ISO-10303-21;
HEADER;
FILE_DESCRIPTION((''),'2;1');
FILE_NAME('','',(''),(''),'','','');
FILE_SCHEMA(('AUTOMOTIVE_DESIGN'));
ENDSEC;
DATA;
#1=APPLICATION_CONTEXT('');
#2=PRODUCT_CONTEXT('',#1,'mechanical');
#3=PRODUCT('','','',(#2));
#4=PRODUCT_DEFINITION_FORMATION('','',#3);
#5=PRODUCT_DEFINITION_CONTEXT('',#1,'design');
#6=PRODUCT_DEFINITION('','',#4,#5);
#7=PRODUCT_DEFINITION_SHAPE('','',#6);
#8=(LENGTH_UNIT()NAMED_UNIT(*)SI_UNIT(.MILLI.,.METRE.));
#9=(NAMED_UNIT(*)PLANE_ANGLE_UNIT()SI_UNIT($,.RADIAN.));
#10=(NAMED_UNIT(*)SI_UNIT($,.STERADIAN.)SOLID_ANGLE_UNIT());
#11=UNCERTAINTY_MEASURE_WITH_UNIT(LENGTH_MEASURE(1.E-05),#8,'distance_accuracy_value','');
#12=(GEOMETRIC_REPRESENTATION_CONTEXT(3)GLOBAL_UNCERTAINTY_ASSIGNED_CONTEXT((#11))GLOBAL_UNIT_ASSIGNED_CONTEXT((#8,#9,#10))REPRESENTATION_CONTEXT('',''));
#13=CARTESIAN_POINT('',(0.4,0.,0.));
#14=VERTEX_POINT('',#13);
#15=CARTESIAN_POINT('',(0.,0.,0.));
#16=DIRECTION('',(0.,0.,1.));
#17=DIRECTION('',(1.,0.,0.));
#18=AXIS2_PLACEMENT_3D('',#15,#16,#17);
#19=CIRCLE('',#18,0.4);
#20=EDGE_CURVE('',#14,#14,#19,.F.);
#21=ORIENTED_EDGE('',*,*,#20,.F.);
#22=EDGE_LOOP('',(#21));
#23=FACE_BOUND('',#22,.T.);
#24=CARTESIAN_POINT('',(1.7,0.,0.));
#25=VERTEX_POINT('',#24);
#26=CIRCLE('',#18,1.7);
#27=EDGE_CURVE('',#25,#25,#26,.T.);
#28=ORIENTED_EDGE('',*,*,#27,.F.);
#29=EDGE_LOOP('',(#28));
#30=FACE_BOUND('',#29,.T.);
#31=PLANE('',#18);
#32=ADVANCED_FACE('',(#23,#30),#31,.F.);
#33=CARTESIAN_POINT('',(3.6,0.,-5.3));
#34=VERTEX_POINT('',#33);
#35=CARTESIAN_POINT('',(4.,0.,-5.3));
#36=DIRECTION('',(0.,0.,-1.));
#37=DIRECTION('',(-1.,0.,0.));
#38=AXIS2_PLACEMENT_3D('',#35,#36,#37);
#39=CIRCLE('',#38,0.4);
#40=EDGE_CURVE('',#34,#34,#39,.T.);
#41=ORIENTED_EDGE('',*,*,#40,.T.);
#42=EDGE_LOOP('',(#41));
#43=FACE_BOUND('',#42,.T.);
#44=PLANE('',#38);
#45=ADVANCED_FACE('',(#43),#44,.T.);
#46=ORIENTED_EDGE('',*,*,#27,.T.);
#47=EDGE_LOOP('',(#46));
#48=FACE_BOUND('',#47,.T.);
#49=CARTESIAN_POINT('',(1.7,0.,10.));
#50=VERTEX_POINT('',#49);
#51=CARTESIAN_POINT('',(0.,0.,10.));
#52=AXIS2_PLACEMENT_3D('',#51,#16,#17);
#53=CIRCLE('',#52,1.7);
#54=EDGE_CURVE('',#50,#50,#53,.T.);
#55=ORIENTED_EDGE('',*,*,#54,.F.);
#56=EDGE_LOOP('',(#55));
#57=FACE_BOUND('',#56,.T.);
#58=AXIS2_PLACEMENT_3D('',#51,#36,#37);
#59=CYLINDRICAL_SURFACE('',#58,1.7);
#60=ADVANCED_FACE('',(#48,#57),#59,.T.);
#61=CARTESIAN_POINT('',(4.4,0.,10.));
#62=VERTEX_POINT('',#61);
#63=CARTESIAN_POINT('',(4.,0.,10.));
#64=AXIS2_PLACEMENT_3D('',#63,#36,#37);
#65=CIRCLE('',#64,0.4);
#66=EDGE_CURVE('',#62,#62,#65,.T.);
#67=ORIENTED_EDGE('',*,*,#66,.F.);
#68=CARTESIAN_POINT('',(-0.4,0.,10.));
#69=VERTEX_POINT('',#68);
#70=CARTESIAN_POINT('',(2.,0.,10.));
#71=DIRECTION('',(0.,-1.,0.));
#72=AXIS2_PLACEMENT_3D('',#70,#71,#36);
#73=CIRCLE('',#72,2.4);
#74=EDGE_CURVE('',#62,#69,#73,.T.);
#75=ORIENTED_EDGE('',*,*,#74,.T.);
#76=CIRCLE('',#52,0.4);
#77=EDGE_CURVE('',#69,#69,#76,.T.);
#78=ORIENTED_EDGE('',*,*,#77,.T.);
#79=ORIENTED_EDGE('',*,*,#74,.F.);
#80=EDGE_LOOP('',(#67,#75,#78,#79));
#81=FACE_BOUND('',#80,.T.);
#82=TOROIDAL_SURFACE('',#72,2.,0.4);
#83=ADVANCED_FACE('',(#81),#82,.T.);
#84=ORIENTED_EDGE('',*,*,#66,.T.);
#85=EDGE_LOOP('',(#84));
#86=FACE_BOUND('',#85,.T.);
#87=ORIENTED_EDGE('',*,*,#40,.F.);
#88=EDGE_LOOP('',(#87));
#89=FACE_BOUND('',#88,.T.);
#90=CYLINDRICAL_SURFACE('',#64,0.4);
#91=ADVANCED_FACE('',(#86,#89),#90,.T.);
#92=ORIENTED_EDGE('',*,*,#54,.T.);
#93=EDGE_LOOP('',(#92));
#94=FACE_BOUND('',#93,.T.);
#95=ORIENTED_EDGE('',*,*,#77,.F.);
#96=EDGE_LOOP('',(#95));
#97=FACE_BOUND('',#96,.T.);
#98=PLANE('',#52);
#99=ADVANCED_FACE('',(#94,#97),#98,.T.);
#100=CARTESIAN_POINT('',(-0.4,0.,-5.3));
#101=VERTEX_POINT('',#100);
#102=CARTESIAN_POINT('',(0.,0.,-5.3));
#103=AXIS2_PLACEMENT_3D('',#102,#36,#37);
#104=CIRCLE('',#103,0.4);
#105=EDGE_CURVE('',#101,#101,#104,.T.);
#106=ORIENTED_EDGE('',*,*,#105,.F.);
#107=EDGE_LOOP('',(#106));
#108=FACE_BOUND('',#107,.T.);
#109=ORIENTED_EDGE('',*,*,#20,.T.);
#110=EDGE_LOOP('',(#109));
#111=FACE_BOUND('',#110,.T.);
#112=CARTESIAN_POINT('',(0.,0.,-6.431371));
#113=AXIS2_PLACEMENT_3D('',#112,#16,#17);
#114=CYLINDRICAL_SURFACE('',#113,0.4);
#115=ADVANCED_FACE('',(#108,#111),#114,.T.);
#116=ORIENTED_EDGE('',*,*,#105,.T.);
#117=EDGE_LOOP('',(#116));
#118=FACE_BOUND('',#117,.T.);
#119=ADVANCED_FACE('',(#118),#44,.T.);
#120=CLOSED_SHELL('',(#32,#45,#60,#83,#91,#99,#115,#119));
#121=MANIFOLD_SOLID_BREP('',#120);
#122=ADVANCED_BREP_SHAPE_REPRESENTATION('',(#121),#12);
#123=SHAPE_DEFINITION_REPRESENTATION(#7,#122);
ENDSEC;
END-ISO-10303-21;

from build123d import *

# Parameters (mm, degrees)
SKETCH2_R           = 1.7
RESISTOR_BODY_DEPTH = 10
LEAD1_PROFILE_R     = 0.4
SKETCH6_R           = 0.4
LEAD2_DEPTH         = 5.3


with BuildPart() as part:
    # Sketch2 → Resistor Body (new body)
    with BuildSketch(Plane.XY):
        Circle(SKETCH2_R)
    extrude(amount=RESISTOR_BODY_DEPTH)

    # Lead1: sweep along a path in Lead1 Path
    with BuildLine(Plane(origin=(0, 0, 0), x_dir=(1, 0, 0), z_dir=(0, 1, 0))) as lead1_path:
        Line((4, 5.3), (4, -10))
        ThreePointArc((4, -10), (2, -12), (0, -10))
    # Lead1 Profile → Lead1 (sweep)
    with BuildSketch(Plane(origin=(0, 0, 10), x_dir=(-1, 0, 0), z_dir=(0, 0, 1))):
        Circle(LEAD1_PROFILE_R)
    sweep(path=lead1_path.line)

    # Sketch6 → Lead2 (add)
    with BuildSketch(Plane(origin=(0, 0, 0), x_dir=(1, 0, 0), z_dir=(0, 0, -1))):
        Circle(SKETCH6_R)
    extrude(amount=LEAD2_DEPTH)


solid = part.part
